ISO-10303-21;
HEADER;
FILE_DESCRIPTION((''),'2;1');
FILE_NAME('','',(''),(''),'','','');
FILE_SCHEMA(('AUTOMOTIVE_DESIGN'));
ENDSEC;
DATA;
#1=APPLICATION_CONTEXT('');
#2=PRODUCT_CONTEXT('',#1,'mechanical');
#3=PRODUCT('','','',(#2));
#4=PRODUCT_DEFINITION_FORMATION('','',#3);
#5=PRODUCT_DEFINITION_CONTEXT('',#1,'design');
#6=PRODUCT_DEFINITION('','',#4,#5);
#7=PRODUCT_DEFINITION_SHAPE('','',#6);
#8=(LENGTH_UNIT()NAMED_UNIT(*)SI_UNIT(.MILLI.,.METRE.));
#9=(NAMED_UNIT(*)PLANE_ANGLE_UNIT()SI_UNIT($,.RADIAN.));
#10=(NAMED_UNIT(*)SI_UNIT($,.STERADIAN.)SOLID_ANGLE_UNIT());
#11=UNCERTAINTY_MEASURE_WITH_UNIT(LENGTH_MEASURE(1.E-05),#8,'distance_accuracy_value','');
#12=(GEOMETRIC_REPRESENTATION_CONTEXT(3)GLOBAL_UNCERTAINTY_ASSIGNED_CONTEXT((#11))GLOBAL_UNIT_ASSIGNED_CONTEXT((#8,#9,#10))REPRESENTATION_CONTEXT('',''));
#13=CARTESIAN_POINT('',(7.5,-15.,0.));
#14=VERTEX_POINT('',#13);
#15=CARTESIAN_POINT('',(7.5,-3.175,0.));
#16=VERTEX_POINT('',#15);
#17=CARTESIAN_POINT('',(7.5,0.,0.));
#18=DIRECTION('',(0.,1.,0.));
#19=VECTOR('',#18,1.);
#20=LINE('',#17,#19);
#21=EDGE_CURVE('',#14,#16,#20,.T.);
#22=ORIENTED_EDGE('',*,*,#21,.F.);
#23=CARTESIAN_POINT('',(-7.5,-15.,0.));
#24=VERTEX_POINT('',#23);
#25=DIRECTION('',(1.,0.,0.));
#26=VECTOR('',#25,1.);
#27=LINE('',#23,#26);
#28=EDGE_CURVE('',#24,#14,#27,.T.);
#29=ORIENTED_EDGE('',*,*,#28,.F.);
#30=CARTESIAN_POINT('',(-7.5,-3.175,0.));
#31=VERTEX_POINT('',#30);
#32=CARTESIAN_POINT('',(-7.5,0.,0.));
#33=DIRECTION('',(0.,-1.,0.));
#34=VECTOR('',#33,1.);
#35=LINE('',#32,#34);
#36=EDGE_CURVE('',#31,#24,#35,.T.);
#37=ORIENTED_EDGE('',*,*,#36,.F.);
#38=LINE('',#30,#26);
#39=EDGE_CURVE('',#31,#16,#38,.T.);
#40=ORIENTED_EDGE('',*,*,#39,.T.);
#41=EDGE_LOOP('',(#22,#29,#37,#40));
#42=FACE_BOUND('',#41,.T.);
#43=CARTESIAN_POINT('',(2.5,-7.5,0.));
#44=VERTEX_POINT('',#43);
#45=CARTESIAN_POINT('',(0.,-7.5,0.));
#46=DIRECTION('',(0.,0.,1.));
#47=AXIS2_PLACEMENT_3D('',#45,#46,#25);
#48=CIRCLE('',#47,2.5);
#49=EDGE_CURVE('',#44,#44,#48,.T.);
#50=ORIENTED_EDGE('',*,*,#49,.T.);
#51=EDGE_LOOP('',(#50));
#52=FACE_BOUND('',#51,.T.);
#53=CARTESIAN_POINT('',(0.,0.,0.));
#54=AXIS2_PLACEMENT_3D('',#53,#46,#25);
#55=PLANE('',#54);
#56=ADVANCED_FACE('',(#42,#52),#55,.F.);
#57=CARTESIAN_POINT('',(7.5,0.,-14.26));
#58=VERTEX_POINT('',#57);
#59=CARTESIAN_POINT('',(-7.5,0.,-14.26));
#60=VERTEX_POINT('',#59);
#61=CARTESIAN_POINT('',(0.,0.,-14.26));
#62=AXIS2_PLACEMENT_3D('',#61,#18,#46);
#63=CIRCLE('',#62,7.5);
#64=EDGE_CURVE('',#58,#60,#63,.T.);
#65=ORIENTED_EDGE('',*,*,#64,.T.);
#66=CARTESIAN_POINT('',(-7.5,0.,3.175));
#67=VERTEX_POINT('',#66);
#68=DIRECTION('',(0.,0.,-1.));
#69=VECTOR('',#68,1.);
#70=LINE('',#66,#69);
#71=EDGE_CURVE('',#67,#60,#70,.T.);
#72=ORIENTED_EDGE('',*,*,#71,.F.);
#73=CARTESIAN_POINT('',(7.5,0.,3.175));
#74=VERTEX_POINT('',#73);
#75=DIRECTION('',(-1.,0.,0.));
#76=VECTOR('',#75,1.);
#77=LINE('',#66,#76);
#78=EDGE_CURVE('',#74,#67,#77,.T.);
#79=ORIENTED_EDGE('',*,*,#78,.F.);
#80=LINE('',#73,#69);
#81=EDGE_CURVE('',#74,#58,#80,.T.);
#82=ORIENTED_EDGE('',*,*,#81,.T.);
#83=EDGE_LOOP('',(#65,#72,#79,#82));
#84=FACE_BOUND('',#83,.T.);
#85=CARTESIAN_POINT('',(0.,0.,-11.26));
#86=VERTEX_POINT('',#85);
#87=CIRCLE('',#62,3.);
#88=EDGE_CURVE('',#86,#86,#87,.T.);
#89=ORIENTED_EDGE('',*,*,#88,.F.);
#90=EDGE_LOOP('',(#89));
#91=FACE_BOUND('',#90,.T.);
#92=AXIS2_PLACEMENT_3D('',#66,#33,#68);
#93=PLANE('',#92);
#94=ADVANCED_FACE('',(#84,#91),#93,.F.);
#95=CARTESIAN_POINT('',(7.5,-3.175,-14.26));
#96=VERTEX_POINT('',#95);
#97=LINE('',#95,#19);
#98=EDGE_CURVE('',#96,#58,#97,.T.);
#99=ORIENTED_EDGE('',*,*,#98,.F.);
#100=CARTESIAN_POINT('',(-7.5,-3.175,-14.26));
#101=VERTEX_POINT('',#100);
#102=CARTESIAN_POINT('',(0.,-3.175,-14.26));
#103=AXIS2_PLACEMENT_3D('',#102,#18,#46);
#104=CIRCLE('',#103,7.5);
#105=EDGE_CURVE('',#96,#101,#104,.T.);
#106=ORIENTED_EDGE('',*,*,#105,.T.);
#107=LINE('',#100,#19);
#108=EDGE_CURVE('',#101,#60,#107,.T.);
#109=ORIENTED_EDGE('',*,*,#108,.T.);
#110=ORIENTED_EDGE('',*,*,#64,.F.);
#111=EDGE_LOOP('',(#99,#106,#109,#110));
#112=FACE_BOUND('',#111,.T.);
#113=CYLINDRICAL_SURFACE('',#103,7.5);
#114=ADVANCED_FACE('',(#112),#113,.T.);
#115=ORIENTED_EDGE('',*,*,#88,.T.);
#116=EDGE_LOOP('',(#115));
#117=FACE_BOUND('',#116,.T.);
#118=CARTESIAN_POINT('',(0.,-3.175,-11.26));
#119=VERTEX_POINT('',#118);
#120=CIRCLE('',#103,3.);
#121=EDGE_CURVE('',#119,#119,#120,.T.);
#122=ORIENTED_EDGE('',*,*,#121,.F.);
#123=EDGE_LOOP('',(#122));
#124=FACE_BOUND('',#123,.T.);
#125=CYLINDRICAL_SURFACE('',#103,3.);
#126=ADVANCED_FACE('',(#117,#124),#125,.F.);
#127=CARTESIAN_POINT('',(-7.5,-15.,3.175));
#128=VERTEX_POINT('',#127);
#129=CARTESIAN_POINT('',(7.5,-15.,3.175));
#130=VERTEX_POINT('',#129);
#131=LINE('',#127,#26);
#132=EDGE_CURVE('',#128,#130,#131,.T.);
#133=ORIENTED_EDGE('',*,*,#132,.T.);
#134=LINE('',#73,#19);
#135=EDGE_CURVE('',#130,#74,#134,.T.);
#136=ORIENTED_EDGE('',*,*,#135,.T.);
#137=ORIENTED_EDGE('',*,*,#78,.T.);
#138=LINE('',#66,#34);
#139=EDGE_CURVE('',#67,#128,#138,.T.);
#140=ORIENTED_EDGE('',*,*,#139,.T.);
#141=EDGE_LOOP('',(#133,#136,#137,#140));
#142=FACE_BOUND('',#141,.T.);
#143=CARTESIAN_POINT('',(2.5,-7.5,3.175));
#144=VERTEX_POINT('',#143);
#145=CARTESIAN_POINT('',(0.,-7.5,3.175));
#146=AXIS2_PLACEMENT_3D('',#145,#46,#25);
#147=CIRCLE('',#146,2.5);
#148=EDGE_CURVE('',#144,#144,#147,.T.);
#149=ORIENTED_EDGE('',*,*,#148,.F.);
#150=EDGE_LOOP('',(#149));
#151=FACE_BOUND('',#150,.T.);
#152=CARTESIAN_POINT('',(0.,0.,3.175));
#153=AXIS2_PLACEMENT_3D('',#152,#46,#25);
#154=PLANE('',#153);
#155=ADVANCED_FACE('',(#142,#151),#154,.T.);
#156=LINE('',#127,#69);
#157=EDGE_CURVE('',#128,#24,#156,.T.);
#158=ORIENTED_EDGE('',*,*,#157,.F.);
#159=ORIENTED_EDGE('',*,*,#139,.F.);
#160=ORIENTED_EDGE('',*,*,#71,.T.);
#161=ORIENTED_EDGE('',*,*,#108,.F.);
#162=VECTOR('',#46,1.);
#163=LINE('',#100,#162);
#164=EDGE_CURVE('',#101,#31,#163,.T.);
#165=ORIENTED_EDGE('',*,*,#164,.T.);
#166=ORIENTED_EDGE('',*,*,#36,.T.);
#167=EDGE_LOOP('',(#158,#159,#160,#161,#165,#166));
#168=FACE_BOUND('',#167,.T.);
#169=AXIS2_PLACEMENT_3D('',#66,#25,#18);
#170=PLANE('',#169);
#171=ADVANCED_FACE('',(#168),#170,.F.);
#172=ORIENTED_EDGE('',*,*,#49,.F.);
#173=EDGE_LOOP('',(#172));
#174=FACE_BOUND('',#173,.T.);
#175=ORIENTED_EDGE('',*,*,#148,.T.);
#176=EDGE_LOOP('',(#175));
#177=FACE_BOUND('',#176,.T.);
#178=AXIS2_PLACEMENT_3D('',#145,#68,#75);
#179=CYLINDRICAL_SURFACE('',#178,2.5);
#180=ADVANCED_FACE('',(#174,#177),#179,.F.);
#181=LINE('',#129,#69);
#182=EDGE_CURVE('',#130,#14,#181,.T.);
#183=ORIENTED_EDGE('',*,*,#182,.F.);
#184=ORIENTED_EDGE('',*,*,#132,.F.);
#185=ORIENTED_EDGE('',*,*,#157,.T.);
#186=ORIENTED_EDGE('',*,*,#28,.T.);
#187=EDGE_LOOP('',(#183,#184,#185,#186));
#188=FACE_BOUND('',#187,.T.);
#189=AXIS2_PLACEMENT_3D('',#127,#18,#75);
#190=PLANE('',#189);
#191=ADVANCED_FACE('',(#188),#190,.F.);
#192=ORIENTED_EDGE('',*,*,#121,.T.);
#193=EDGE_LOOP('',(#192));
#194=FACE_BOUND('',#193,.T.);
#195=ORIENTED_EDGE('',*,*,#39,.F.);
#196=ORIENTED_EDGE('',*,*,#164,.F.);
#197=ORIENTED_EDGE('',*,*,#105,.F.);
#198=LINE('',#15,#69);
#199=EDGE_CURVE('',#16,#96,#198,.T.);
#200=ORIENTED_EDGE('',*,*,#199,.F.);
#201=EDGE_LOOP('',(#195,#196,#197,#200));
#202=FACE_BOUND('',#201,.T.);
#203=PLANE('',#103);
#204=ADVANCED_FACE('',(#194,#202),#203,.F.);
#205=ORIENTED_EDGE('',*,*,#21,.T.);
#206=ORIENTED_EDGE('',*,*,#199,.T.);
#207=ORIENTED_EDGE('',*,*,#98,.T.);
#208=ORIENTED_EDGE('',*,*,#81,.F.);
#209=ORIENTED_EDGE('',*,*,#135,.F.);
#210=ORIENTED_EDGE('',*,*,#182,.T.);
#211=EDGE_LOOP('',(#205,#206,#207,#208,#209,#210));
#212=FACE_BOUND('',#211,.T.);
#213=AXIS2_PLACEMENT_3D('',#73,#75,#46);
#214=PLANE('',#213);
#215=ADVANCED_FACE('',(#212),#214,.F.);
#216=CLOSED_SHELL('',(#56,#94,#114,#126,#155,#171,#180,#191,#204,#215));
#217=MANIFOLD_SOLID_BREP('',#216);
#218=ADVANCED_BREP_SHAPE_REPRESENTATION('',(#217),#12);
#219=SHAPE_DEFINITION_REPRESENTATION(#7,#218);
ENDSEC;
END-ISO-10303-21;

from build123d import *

# Parameters (mm, degrees)
SKETCH1_W           = 15
SKETCH1_H           = 15
SKETCH1_R           = 2.5
BOSS_EXTRUDE1_DEPTH = 3.175
SKETCH2_R           = 3
BOSS_EXTRUDE2_DEPTH = 3.175


with BuildPart() as part:
    # Sketch1 → Boss-Extrude1 (new body)
    with BuildSketch(Plane.XY):
        with Locations((0, -7.5)):
            Rectangle(SKETCH1_W, SKETCH1_H)
        with Locations((0, -7.5)):
            Circle(SKETCH1_R, mode=Mode.SUBTRACT)
    extrude(amount=BOSS_EXTRUDE1_DEPTH)

    # Sketch2 → Boss-Extrude2 (add)
    with BuildSketch(Plane(origin=(0, 0, 0), x_dir=(1, 0, 0), z_dir=(0, 1, 0))):
        with BuildLine():
            Line((-7.5, 14.26), (-7.5, 0))
            Line((-7.5, 0), (7.5, 0))
            Line((7.5, 0), (7.5, 14.26))
            ThreePointArc((7.5, 14.26), (0, 21.76), (-7.5, 14.26))
        make_face()
        with Locations(Location((0, 14.26, 0), (0, 0, 270))):
            Circle(SKETCH2_R, mode=Mode.SUBTRACT)
    extrude(amount=-BOSS_EXTRUDE2_DEPTH)


solid = part.part
